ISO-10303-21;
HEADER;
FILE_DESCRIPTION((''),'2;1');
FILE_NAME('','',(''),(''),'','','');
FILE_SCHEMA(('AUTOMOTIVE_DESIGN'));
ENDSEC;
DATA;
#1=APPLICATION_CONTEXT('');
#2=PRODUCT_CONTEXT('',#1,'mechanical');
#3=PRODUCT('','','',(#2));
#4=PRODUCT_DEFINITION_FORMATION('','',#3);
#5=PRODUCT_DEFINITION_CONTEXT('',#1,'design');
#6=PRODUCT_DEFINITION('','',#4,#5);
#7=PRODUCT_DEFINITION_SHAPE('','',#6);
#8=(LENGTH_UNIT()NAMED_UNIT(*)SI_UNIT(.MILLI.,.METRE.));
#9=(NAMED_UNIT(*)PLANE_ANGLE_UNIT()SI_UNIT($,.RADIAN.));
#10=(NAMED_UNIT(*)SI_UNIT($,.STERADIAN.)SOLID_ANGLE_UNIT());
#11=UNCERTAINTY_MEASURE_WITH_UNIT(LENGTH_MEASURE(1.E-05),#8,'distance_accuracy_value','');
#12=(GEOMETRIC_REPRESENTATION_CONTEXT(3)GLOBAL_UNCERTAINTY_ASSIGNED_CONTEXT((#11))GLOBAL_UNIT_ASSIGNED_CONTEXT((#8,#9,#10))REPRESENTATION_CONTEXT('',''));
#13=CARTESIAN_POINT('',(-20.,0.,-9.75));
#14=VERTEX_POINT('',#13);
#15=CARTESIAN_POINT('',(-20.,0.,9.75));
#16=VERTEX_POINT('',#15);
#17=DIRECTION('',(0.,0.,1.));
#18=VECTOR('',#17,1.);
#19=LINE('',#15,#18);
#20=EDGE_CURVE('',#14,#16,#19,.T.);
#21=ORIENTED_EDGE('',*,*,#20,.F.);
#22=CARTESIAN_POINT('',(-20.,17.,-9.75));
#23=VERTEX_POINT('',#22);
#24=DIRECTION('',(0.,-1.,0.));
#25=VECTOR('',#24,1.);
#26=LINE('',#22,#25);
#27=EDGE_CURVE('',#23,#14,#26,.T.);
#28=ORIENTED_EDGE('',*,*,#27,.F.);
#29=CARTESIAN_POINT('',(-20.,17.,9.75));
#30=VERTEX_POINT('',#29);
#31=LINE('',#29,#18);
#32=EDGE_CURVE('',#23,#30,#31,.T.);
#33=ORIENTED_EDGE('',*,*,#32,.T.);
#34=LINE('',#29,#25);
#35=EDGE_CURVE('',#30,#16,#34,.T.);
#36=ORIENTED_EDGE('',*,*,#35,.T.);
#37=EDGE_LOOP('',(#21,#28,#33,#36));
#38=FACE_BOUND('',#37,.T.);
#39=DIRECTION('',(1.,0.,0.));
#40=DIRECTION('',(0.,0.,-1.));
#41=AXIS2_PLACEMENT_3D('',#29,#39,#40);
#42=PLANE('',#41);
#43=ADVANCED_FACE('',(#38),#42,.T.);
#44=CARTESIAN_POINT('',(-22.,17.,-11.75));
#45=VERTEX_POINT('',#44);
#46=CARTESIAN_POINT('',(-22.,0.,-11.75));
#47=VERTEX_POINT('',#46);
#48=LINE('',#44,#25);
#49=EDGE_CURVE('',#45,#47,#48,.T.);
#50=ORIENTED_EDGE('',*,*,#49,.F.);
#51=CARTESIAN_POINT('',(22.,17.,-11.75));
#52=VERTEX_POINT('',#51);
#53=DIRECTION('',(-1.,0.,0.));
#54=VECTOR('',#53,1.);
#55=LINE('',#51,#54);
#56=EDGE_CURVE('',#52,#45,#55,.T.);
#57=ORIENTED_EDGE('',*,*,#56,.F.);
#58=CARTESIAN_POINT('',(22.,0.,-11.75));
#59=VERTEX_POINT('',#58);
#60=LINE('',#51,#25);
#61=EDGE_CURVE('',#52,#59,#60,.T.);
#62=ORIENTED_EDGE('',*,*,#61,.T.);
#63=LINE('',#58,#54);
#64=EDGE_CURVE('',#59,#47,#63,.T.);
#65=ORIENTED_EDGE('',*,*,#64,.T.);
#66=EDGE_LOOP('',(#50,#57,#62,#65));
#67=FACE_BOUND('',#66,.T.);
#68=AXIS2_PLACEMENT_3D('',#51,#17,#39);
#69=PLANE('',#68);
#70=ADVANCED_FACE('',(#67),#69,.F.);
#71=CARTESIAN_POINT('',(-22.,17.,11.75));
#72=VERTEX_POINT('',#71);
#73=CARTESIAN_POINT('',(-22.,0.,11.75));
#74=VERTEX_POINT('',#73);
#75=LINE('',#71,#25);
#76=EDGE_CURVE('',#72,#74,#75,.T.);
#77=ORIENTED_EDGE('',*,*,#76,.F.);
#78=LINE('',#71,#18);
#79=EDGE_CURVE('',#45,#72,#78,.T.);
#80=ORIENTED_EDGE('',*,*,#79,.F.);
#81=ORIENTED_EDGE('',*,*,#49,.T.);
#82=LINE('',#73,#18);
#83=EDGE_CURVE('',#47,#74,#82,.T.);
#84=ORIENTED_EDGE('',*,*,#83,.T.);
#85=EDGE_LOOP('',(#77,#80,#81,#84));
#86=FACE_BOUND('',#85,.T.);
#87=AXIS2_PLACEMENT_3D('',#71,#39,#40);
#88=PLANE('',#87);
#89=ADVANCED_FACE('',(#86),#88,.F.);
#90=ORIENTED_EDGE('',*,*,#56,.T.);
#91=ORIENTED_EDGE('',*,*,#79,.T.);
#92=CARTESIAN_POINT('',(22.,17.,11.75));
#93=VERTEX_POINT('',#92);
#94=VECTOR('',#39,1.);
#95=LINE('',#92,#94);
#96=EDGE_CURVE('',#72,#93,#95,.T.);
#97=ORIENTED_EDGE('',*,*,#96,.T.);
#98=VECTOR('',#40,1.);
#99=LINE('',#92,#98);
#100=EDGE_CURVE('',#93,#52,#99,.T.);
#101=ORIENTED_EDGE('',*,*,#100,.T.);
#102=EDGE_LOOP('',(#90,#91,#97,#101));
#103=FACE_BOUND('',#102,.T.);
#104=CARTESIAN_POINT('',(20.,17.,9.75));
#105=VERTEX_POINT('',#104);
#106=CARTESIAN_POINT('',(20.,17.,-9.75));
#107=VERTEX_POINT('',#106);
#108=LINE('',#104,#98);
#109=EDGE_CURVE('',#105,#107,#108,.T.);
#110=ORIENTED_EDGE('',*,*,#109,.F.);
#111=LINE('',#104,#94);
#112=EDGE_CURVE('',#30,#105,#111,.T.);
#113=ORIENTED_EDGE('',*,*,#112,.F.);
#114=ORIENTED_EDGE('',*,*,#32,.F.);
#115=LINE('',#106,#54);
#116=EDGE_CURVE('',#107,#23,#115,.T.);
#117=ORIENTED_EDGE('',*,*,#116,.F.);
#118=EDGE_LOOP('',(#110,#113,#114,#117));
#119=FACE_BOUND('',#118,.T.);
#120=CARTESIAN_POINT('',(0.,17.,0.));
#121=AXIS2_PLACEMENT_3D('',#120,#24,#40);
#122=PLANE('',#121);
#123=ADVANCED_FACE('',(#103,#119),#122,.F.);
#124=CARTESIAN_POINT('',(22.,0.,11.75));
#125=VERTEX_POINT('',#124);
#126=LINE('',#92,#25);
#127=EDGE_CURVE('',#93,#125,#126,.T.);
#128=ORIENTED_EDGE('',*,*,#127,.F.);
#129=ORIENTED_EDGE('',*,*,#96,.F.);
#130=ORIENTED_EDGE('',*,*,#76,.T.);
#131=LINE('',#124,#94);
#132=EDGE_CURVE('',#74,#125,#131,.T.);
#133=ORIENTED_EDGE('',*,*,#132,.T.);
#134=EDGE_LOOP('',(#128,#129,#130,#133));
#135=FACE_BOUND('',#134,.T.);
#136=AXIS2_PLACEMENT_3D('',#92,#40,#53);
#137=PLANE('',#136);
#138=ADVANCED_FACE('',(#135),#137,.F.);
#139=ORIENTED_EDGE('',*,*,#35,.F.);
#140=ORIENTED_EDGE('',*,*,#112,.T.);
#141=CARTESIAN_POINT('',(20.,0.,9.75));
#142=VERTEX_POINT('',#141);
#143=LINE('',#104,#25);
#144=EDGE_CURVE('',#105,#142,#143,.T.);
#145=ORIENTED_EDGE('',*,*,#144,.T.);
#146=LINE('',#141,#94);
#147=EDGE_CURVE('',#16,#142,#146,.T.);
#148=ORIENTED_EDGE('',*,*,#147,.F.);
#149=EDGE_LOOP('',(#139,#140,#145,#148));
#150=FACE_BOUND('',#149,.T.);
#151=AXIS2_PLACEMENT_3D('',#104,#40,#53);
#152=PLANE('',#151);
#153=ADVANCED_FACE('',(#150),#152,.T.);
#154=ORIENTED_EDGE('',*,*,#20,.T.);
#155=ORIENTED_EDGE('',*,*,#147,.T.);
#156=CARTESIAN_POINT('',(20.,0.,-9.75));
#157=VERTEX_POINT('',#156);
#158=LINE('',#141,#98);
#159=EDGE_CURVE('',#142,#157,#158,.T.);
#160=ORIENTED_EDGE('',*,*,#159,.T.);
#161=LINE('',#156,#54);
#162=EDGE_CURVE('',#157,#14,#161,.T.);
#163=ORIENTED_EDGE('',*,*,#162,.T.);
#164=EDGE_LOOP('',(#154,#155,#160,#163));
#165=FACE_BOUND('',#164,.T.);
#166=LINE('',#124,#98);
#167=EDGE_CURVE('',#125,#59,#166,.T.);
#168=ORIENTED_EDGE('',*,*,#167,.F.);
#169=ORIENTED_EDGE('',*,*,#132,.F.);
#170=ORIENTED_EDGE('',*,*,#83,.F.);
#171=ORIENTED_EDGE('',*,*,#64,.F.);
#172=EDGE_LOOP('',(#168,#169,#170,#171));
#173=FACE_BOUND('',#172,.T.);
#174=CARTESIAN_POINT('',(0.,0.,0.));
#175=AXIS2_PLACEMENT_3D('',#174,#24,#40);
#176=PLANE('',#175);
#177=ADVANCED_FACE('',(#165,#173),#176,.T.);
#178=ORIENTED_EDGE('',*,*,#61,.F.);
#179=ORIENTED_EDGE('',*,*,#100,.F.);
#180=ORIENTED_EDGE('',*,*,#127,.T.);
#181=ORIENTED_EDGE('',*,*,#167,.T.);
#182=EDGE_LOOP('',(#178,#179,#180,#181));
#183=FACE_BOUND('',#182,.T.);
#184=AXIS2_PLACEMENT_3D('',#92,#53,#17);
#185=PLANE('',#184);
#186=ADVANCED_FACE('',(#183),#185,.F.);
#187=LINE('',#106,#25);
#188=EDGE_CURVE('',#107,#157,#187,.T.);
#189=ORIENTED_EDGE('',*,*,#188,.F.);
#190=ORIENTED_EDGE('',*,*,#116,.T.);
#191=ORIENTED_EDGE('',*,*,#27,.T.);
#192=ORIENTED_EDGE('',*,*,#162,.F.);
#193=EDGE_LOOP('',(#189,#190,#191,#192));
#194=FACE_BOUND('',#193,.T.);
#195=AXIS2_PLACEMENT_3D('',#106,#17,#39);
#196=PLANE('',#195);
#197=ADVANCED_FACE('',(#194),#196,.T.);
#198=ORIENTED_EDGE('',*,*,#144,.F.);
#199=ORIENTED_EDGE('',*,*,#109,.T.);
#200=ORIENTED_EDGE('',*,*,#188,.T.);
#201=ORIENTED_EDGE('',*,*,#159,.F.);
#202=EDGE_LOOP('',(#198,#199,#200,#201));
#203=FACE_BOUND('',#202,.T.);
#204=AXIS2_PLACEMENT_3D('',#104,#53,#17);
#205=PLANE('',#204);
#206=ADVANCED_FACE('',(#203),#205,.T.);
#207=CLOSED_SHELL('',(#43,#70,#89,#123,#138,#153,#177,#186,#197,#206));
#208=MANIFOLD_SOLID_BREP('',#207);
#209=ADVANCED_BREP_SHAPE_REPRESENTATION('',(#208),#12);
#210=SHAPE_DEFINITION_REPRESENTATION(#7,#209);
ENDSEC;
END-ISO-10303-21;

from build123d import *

# Parameters (mm, degrees)
SKETCH1_W           = 44
SKETCH1_H           = 23.5
SKETCH1_W_2         = 40
SKETCH1_H_2         = 19.5
BOSS_EXTRUDE1_DEPTH = 17


with BuildPart() as part:
    # Sketch1 → Boss-Extrude1 (new body)
    with BuildSketch(Plane(origin=(0, 0, 0), x_dir=(1, 0, 0), z_dir=(0, 1, 0))):
        Rectangle(SKETCH1_W, SKETCH1_H)
        Rectangle(SKETCH1_W_2, SKETCH1_H_2, mode=Mode.SUBTRACT)
    extrude(amount=BOSS_EXTRUDE1_DEPTH)


solid = part.part
